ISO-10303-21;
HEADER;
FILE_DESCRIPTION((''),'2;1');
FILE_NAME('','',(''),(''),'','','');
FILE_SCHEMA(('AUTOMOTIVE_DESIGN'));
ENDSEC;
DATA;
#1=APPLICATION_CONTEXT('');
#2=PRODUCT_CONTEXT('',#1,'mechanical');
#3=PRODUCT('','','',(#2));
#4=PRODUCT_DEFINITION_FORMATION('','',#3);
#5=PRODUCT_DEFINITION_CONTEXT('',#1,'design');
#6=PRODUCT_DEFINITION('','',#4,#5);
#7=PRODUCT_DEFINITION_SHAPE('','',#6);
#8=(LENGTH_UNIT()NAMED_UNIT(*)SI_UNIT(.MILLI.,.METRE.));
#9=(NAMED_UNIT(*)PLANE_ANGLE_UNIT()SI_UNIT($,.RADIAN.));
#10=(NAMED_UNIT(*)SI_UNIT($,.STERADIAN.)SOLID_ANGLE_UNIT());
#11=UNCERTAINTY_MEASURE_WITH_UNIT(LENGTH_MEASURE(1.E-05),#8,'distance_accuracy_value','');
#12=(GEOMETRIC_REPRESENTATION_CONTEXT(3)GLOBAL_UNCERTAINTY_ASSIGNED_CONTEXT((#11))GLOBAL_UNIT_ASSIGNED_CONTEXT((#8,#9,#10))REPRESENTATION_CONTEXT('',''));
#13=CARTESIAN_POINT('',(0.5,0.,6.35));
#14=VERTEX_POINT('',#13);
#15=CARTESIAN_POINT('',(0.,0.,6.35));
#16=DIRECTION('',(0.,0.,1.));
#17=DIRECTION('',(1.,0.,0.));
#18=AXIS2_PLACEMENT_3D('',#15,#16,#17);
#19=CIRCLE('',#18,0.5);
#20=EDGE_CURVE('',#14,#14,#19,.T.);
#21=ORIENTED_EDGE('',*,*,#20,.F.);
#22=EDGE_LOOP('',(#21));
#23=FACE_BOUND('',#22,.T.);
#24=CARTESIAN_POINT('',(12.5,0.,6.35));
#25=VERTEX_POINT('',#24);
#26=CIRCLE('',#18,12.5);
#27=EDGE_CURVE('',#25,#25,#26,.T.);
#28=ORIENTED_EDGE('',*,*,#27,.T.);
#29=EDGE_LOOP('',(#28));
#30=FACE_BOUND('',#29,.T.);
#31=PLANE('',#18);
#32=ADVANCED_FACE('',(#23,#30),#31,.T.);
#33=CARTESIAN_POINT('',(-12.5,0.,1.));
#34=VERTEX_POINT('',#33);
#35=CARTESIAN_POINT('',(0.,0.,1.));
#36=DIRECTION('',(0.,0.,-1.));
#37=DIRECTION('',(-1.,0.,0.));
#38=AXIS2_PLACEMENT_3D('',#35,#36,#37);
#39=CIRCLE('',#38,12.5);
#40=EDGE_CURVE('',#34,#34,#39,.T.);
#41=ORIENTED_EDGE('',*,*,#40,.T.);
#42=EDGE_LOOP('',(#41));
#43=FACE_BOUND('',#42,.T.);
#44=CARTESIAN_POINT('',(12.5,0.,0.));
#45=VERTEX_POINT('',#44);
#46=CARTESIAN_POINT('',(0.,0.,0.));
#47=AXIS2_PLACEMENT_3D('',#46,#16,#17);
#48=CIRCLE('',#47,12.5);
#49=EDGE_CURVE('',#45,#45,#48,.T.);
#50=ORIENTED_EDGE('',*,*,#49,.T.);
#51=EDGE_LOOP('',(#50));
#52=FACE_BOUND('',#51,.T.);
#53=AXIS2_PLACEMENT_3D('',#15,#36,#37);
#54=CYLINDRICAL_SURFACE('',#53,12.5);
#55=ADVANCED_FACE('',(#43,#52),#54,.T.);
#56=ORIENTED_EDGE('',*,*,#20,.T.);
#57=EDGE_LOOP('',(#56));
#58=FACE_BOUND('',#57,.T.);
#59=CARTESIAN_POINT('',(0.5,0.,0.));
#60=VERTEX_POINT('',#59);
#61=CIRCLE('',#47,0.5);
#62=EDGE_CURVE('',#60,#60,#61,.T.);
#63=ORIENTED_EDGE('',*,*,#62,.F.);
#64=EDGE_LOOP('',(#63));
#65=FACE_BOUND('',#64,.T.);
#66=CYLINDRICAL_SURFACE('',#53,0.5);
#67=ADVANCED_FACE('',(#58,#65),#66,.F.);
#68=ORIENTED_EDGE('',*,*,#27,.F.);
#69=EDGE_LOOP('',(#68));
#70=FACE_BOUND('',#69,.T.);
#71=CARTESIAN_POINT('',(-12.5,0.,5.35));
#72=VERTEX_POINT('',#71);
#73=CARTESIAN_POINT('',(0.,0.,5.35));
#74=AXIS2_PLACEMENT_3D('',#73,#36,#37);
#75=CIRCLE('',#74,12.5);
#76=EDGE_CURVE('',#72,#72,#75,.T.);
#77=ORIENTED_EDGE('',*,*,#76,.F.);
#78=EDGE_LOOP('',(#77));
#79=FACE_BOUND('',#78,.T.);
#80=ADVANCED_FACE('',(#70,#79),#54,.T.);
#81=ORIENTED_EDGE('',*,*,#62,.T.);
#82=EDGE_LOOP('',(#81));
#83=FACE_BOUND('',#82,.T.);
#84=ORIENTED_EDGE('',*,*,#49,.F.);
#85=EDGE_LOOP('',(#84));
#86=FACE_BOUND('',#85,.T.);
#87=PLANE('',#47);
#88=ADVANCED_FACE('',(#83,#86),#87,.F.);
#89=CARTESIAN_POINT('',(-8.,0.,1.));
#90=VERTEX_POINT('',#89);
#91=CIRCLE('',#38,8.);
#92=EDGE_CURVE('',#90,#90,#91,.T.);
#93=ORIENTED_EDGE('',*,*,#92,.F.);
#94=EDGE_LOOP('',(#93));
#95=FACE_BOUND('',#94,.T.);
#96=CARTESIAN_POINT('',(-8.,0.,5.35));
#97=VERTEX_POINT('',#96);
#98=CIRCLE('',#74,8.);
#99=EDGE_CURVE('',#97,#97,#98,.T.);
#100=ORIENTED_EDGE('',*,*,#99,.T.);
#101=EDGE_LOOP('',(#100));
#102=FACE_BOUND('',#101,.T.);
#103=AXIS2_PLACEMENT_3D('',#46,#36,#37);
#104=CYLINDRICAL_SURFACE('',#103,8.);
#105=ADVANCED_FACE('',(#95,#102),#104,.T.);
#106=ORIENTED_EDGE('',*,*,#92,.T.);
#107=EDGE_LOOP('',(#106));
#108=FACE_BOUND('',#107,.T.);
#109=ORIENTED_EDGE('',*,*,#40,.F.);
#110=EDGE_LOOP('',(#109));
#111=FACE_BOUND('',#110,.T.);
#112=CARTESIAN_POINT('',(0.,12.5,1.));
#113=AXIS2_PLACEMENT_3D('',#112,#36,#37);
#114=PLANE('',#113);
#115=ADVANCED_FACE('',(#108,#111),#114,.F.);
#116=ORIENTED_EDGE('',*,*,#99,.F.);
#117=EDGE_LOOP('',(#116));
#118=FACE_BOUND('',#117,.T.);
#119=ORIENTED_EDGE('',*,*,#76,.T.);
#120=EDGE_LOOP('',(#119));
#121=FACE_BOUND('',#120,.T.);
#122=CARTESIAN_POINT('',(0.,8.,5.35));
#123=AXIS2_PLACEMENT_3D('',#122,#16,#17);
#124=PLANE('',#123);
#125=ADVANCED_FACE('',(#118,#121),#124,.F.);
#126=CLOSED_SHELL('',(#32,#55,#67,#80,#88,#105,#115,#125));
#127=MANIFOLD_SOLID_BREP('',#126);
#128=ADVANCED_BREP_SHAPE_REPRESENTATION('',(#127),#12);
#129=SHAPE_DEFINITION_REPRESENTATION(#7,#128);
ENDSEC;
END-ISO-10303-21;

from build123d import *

# Parameters (mm, degrees)
SKETCH1_R           = 12.5
SKETCH1_R_2         = 0.5
BOSS_EXTRUDE1_DEPTH = 6.35
SKETCH2_W           = 4.35
SKETCH2_H           = 4.5


with BuildPart() as part:
    # Sketch1 → Boss-Extrude1 (new body)
    with BuildSketch(Plane.XY):
        Circle(SKETCH1_R)
        Circle(SKETCH1_R_2, mode=Mode.SUBTRACT)
    extrude(amount=BOSS_EXTRUDE1_DEPTH)

    # Sketch2 → Cut-Revolve1 (revolve, cut)
    with BuildSketch(Plane(origin=(0, 0, 0), x_dir=(0, 0, -1), z_dir=(1, 0, 0))):
        with Locations((-3.175, 10.25)):
            Rectangle(SKETCH2_W, SKETCH2_H)
    revolve(axis=Axis((0, 0, 0), (0, 0, 1)), mode=Mode.SUBTRACT)


solid = part.part
